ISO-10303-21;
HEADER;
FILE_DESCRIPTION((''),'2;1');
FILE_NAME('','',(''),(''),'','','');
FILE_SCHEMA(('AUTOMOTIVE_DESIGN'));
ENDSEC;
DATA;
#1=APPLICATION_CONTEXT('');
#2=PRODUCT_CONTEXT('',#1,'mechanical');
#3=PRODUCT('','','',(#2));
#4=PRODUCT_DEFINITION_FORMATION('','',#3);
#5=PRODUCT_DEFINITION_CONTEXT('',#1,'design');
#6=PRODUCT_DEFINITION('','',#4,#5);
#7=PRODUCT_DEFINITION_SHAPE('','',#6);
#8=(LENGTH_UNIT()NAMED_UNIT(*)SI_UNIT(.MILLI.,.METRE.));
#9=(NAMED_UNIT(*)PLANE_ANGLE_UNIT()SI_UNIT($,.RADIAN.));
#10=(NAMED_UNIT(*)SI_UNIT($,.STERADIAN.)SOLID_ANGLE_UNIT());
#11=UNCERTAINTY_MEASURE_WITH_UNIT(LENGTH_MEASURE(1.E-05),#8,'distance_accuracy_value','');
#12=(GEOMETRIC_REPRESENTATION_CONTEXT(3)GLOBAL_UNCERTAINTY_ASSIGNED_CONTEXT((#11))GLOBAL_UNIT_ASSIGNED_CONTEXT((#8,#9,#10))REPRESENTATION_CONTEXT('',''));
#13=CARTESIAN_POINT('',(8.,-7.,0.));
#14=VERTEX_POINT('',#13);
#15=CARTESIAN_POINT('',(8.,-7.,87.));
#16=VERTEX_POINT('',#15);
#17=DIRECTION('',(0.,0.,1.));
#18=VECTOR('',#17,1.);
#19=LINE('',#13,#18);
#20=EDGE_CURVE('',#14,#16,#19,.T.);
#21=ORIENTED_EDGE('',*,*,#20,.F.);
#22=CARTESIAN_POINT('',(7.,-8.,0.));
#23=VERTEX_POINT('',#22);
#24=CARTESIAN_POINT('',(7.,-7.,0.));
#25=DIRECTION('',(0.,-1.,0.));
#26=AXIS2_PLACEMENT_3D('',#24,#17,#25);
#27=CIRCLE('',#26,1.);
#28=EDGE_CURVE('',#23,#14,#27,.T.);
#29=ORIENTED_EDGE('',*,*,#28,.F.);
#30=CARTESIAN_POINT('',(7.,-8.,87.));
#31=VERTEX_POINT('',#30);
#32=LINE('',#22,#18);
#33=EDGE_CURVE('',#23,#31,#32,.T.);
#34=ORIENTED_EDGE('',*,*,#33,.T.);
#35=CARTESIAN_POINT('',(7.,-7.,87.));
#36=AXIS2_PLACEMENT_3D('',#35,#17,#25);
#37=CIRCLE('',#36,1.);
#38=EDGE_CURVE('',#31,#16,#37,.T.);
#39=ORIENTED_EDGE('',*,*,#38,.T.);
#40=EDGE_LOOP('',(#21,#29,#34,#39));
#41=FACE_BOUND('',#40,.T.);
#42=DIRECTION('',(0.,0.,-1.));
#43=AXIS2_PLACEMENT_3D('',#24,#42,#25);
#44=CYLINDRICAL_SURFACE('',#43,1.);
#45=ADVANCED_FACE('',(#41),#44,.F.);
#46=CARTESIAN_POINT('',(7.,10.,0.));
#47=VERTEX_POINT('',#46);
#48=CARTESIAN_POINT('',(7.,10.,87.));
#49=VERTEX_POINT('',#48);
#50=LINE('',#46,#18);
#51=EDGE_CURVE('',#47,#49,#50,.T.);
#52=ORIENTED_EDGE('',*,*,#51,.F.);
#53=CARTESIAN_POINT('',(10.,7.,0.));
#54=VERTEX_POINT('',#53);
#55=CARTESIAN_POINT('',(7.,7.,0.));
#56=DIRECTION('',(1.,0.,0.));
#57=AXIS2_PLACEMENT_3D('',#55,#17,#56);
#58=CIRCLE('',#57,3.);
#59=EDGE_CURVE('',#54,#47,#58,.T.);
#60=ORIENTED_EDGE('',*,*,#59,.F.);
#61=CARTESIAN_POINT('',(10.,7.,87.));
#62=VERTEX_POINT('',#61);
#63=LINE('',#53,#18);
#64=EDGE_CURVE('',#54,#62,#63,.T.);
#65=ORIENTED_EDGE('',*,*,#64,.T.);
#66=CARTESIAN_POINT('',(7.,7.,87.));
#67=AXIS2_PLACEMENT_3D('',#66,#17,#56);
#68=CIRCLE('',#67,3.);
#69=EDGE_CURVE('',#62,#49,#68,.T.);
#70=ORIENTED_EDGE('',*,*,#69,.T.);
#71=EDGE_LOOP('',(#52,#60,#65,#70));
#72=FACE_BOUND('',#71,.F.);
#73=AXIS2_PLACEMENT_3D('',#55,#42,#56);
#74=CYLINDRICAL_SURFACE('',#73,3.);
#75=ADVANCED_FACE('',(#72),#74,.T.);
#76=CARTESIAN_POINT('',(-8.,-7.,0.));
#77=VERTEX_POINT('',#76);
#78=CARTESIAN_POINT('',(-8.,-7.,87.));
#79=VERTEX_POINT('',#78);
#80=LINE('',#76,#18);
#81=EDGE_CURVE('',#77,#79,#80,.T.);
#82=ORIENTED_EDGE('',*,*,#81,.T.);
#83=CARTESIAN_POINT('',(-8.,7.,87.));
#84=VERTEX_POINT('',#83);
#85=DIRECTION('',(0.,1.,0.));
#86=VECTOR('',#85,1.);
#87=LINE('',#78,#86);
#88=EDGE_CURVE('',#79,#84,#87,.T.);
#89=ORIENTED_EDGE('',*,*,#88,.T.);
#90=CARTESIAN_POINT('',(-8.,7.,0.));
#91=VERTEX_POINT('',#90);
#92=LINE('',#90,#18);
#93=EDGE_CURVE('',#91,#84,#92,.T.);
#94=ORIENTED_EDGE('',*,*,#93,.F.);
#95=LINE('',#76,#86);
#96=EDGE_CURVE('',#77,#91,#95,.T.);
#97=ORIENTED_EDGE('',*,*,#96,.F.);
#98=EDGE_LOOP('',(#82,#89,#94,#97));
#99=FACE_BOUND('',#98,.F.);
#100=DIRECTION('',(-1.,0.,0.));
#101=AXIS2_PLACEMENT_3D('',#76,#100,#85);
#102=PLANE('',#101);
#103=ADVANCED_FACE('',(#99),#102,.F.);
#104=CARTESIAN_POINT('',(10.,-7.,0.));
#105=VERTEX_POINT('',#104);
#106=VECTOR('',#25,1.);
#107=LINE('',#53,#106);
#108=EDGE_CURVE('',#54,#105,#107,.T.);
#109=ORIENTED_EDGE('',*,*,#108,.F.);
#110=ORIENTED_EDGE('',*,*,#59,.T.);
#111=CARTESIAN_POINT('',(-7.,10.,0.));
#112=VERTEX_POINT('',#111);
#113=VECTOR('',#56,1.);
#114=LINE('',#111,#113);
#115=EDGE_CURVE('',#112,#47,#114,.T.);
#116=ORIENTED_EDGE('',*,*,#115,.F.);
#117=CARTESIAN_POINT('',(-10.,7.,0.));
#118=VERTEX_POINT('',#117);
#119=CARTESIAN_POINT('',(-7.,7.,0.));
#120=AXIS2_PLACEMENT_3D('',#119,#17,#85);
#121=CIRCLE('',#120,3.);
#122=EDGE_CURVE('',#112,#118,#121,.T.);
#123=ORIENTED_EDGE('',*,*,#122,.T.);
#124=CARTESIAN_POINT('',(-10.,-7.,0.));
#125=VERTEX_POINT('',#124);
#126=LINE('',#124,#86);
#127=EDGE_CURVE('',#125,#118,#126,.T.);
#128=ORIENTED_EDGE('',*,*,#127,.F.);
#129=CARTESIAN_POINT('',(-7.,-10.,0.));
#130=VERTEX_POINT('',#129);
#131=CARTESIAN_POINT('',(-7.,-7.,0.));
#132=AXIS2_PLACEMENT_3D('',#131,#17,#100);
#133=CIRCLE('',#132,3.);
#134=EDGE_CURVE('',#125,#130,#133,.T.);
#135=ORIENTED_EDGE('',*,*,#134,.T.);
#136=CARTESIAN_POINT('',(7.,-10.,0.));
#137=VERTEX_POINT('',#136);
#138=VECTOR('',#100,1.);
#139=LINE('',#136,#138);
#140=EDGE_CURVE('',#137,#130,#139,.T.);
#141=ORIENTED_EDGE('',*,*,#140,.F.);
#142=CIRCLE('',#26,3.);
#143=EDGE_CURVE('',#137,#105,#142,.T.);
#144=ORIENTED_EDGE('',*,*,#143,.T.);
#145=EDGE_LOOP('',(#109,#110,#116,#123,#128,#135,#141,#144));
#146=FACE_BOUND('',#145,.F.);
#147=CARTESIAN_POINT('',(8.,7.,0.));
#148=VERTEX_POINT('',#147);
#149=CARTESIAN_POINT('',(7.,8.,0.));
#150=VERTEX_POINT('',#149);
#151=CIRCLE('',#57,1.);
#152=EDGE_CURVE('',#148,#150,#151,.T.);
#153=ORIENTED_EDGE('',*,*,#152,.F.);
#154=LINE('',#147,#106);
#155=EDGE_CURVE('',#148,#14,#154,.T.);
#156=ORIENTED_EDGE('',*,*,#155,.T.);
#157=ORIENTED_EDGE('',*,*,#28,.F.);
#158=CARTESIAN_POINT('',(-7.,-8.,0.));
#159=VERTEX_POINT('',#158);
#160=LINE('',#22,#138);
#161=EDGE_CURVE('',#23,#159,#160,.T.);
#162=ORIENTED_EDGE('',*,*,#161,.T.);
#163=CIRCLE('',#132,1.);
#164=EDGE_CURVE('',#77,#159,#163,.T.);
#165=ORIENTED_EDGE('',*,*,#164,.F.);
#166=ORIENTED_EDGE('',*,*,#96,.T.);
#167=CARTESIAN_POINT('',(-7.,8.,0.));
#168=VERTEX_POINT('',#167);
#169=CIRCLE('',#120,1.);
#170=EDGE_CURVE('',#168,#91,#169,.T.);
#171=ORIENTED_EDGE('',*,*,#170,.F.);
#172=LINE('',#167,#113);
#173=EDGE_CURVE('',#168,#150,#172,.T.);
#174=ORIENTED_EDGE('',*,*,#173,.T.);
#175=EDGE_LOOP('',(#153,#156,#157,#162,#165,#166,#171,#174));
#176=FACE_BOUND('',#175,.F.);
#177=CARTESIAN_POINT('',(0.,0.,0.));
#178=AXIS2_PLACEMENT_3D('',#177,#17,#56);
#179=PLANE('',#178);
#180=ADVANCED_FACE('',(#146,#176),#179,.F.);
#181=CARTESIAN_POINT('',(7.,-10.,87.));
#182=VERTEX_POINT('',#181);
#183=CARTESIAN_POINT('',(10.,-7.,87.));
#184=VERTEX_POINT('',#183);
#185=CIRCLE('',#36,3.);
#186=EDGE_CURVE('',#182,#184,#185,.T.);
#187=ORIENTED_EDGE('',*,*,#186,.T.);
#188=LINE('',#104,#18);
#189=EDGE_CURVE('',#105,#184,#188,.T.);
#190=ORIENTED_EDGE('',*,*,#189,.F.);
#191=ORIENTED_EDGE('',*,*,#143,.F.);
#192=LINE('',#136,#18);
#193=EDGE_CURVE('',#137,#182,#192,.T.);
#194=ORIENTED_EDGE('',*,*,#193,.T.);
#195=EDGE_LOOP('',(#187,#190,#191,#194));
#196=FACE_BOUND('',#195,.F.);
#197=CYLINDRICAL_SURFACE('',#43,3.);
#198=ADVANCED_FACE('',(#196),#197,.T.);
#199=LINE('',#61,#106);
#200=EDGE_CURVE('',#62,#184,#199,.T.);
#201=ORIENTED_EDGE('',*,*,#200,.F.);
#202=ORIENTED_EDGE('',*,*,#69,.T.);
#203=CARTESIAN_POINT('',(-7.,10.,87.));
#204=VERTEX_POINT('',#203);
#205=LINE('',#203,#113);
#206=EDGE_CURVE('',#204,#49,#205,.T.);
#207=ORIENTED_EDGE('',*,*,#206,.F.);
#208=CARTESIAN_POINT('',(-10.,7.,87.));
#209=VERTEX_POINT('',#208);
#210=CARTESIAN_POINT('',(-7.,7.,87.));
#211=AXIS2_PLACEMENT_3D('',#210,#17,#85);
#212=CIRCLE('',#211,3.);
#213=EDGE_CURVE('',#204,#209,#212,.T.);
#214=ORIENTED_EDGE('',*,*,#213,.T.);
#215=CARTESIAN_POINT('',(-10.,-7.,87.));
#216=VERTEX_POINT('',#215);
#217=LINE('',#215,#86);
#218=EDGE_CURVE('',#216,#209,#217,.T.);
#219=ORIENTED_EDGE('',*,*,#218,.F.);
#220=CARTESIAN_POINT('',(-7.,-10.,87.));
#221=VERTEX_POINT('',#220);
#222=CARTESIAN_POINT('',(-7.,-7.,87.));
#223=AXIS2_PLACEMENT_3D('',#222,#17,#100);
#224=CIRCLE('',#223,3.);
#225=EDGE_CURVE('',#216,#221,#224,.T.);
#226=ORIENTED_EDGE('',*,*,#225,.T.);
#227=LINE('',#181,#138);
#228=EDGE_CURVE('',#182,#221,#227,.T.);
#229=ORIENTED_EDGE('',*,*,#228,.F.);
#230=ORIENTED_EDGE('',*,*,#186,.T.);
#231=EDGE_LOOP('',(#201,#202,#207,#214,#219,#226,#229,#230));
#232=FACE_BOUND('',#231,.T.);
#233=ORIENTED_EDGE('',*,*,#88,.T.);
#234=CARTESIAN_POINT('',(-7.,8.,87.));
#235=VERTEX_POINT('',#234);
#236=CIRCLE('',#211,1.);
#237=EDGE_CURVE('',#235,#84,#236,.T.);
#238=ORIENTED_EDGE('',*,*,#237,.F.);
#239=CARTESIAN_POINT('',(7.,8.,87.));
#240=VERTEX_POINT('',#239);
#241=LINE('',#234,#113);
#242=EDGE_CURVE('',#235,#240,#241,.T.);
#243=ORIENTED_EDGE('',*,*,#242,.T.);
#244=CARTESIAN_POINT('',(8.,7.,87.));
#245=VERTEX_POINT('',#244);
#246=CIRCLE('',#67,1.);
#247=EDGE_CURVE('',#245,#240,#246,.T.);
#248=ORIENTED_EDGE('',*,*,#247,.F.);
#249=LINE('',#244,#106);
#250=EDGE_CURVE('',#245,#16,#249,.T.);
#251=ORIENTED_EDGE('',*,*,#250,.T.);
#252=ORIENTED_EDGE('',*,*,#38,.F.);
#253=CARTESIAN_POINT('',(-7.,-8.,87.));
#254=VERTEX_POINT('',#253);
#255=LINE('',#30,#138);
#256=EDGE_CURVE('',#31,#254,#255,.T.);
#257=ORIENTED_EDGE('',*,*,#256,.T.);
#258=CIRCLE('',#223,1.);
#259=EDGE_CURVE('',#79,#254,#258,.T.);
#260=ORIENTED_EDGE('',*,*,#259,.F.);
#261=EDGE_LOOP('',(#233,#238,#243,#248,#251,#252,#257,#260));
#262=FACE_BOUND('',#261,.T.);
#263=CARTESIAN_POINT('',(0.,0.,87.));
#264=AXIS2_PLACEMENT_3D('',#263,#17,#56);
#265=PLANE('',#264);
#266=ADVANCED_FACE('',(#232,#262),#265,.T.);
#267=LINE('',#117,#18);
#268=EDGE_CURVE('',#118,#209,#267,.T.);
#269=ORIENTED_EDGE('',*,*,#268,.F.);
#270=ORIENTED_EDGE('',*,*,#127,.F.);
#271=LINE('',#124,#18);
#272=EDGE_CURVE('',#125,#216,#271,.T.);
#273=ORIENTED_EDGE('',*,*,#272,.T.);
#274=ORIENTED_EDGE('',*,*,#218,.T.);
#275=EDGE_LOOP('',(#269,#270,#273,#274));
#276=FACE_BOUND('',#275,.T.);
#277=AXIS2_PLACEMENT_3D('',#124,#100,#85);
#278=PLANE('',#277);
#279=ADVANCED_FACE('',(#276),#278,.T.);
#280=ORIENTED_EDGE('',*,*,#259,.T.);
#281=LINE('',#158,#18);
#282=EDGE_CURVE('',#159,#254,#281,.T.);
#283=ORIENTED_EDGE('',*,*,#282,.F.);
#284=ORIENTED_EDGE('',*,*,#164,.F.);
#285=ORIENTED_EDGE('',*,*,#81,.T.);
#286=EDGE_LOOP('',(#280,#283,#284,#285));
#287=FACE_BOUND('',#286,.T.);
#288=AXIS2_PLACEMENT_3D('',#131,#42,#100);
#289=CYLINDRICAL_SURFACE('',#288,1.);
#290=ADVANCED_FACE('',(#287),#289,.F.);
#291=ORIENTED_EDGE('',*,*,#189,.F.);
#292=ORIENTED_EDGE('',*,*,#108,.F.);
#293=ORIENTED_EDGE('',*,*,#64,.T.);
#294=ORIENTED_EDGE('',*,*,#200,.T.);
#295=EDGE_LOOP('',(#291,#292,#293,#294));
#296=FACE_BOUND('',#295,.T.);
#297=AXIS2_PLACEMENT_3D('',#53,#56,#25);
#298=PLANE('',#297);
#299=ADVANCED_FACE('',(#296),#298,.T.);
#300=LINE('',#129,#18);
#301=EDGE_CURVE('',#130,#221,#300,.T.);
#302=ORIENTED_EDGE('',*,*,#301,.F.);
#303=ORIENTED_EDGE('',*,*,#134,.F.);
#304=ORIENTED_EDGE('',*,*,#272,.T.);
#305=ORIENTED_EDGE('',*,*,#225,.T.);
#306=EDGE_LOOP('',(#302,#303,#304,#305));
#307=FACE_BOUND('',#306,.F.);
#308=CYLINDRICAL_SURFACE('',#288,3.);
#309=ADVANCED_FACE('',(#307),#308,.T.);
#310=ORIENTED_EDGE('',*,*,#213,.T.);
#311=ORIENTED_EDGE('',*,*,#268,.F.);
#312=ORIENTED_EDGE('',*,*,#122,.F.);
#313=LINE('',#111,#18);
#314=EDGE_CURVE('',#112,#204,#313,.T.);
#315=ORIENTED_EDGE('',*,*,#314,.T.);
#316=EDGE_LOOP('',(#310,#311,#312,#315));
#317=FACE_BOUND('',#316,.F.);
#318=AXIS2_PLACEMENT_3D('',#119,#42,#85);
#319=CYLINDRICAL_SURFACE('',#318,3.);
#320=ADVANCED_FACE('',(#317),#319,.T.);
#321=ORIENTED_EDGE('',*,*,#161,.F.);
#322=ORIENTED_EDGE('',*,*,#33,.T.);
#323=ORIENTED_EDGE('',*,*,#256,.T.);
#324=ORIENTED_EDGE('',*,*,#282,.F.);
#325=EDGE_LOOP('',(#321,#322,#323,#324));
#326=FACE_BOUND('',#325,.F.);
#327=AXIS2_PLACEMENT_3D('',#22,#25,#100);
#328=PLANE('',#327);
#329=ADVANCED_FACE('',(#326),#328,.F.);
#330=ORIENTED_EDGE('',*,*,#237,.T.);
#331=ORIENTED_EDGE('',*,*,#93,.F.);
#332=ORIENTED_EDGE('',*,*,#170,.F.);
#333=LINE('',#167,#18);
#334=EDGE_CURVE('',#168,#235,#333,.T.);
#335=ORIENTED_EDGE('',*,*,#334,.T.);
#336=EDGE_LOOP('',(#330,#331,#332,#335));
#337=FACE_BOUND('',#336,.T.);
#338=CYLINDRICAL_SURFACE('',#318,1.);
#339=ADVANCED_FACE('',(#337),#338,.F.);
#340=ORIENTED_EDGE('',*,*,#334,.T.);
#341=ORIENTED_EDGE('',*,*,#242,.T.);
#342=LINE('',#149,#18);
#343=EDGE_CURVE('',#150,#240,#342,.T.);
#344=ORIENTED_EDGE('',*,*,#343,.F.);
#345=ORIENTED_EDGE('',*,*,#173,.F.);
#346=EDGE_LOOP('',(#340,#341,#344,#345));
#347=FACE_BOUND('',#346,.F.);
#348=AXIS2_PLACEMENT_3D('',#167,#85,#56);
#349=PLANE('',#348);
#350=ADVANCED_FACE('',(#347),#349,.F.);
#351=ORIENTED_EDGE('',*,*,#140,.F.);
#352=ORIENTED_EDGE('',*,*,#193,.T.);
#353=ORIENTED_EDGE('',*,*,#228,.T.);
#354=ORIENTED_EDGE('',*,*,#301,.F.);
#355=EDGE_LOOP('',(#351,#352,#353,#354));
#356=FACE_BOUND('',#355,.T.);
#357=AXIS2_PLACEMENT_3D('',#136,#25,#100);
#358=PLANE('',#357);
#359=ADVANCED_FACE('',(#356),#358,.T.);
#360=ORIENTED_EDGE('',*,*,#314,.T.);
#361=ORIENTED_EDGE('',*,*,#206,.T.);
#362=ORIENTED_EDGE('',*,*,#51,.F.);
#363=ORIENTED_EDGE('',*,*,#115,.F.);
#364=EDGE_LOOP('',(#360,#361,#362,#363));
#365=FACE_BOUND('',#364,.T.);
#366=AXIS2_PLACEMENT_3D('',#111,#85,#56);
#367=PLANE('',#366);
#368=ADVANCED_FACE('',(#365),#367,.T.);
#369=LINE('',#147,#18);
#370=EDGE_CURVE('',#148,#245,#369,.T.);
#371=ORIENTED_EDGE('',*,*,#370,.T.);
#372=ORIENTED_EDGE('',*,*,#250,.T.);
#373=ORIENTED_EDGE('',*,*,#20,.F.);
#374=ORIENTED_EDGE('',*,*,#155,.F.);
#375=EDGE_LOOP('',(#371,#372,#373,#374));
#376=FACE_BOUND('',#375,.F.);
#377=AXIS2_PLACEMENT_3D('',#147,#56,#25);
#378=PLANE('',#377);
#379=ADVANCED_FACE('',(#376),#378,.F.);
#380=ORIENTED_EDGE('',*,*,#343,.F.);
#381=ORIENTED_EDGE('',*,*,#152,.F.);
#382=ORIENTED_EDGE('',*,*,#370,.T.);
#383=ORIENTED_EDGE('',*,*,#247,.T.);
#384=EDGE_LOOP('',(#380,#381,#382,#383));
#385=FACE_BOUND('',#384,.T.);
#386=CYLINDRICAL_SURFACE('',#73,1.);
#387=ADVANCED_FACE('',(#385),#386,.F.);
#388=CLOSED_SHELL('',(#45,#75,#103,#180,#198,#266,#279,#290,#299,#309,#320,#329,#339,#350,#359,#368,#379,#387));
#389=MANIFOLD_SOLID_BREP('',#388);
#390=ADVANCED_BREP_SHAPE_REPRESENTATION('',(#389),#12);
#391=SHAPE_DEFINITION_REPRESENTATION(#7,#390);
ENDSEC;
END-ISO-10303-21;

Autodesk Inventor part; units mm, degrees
ref_plane "YZ Plane" through (0, 0, 0) normal (1, 0, 0) x (0, 1, 0)
ref_plane "Start Plane" through (0, 0, 0) normal (0, 0, 1) x (1, 0, 0)
ref_plane "End Plane" through (0, 0, 87) normal (0, 0, 1) x (1, 0, 0)
sketch "Sketch" plane through (0, 0, 0) normal (0, 0, 1) x (1, 0, 0)
  line L0 (-10, -7) -> (-10, 7)
  line L1 (-7, 10) -> (7, 10)
  line L2 (10, 7) -> (10, -7)
  line L3 (7, -10) -> (-7, -10)
  arc A0 (-10, -7) -> (-7, -10) centre (-7, -7) ccw
  arc A1 (-7, 10) -> (-10, 7) centre (-7, 7) ccw
  arc A2 (10, 7) -> (7, 10) centre (7, 7) ccw
  arc A3 (7, -10) -> (10, -7) centre (7, -7) ccw
  arc A4 (-7, 8) -> (-8, 7) centre (-7, 7) ccw
  line L4 (-7, 8) -> (7, 8)
  arc A5 (8, 7) -> (7, 8) centre (7, 7) ccw
  line L5 (8, 7) -> (8, -7)
  arc A6 (7, -8) -> (8, -7) centre (7, -7) ccw
  line L6 (7, -8) -> (-7, -8)
  arc A7 (-8, -7) -> (-7, -8) centre (-7, -7) ccw
  line L7 (-8, -7) -> (-8, 7)
  line L8 (0, 14.8698) -> (0, -14.8698) construction
  line L9 (-14.8698, 0) -> (14.8698, 0) construction
  dimension "d7" = 3
  dimension "d10" = 20
  dimension "d11" = 20
  dimension "d12" = 2
  dimension "d15" = 10
  dimension "d16" = 10
extrude "Body" add sketch "Sketch" along normal up to surface (87 mm away) from surface at 0
sketch "Sketch3" plane through (0, 0, 0) normal (0, 0, 1) x (1, 0, 0)
  line L0 (0, 0) -> (10, 0)
ref_plane "Work Plane3" through (0, 0, 0) normal (0, -1, 0) x (1, 0, 0)
sketch "Sketch4" plane through (0, 0, 0) normal (0, -1, 0) x (1, 0, 0)
  line L0 (-2, 0) -> (12, 0)
  line L1 (-2, 87) -> (12, 87)
  dimension "d18" = 87
equation "\"d7\" = G_IR"
equation "\"d10\" = G_H"
equation "\"d11\" = G_W"
equation "\"d12\" = G_T"
equation "\"d15\" = 0.5 * d10"
equation "\"d16\" = 0.5 * d11"
equation "\"d3\" = G_L"
equation "\"G_W\" = 20"
equation "\"G_H\" = 20"
equation "\"G_T\" = 2"
equation "\"G_IR\" = 3"
equation "\"G_L\" = d18"
equation "\"G_OFFSET_START\" = 0"
equation "\"G_OFFSET_END\" = 0"
equation "\"d14\" = G_OFFSET_END + B_L"
equation "\"B_L\" = 87"
properties part number "ISO 12633-2 - 20x20x2 - 87" material "Steel, Mild"
